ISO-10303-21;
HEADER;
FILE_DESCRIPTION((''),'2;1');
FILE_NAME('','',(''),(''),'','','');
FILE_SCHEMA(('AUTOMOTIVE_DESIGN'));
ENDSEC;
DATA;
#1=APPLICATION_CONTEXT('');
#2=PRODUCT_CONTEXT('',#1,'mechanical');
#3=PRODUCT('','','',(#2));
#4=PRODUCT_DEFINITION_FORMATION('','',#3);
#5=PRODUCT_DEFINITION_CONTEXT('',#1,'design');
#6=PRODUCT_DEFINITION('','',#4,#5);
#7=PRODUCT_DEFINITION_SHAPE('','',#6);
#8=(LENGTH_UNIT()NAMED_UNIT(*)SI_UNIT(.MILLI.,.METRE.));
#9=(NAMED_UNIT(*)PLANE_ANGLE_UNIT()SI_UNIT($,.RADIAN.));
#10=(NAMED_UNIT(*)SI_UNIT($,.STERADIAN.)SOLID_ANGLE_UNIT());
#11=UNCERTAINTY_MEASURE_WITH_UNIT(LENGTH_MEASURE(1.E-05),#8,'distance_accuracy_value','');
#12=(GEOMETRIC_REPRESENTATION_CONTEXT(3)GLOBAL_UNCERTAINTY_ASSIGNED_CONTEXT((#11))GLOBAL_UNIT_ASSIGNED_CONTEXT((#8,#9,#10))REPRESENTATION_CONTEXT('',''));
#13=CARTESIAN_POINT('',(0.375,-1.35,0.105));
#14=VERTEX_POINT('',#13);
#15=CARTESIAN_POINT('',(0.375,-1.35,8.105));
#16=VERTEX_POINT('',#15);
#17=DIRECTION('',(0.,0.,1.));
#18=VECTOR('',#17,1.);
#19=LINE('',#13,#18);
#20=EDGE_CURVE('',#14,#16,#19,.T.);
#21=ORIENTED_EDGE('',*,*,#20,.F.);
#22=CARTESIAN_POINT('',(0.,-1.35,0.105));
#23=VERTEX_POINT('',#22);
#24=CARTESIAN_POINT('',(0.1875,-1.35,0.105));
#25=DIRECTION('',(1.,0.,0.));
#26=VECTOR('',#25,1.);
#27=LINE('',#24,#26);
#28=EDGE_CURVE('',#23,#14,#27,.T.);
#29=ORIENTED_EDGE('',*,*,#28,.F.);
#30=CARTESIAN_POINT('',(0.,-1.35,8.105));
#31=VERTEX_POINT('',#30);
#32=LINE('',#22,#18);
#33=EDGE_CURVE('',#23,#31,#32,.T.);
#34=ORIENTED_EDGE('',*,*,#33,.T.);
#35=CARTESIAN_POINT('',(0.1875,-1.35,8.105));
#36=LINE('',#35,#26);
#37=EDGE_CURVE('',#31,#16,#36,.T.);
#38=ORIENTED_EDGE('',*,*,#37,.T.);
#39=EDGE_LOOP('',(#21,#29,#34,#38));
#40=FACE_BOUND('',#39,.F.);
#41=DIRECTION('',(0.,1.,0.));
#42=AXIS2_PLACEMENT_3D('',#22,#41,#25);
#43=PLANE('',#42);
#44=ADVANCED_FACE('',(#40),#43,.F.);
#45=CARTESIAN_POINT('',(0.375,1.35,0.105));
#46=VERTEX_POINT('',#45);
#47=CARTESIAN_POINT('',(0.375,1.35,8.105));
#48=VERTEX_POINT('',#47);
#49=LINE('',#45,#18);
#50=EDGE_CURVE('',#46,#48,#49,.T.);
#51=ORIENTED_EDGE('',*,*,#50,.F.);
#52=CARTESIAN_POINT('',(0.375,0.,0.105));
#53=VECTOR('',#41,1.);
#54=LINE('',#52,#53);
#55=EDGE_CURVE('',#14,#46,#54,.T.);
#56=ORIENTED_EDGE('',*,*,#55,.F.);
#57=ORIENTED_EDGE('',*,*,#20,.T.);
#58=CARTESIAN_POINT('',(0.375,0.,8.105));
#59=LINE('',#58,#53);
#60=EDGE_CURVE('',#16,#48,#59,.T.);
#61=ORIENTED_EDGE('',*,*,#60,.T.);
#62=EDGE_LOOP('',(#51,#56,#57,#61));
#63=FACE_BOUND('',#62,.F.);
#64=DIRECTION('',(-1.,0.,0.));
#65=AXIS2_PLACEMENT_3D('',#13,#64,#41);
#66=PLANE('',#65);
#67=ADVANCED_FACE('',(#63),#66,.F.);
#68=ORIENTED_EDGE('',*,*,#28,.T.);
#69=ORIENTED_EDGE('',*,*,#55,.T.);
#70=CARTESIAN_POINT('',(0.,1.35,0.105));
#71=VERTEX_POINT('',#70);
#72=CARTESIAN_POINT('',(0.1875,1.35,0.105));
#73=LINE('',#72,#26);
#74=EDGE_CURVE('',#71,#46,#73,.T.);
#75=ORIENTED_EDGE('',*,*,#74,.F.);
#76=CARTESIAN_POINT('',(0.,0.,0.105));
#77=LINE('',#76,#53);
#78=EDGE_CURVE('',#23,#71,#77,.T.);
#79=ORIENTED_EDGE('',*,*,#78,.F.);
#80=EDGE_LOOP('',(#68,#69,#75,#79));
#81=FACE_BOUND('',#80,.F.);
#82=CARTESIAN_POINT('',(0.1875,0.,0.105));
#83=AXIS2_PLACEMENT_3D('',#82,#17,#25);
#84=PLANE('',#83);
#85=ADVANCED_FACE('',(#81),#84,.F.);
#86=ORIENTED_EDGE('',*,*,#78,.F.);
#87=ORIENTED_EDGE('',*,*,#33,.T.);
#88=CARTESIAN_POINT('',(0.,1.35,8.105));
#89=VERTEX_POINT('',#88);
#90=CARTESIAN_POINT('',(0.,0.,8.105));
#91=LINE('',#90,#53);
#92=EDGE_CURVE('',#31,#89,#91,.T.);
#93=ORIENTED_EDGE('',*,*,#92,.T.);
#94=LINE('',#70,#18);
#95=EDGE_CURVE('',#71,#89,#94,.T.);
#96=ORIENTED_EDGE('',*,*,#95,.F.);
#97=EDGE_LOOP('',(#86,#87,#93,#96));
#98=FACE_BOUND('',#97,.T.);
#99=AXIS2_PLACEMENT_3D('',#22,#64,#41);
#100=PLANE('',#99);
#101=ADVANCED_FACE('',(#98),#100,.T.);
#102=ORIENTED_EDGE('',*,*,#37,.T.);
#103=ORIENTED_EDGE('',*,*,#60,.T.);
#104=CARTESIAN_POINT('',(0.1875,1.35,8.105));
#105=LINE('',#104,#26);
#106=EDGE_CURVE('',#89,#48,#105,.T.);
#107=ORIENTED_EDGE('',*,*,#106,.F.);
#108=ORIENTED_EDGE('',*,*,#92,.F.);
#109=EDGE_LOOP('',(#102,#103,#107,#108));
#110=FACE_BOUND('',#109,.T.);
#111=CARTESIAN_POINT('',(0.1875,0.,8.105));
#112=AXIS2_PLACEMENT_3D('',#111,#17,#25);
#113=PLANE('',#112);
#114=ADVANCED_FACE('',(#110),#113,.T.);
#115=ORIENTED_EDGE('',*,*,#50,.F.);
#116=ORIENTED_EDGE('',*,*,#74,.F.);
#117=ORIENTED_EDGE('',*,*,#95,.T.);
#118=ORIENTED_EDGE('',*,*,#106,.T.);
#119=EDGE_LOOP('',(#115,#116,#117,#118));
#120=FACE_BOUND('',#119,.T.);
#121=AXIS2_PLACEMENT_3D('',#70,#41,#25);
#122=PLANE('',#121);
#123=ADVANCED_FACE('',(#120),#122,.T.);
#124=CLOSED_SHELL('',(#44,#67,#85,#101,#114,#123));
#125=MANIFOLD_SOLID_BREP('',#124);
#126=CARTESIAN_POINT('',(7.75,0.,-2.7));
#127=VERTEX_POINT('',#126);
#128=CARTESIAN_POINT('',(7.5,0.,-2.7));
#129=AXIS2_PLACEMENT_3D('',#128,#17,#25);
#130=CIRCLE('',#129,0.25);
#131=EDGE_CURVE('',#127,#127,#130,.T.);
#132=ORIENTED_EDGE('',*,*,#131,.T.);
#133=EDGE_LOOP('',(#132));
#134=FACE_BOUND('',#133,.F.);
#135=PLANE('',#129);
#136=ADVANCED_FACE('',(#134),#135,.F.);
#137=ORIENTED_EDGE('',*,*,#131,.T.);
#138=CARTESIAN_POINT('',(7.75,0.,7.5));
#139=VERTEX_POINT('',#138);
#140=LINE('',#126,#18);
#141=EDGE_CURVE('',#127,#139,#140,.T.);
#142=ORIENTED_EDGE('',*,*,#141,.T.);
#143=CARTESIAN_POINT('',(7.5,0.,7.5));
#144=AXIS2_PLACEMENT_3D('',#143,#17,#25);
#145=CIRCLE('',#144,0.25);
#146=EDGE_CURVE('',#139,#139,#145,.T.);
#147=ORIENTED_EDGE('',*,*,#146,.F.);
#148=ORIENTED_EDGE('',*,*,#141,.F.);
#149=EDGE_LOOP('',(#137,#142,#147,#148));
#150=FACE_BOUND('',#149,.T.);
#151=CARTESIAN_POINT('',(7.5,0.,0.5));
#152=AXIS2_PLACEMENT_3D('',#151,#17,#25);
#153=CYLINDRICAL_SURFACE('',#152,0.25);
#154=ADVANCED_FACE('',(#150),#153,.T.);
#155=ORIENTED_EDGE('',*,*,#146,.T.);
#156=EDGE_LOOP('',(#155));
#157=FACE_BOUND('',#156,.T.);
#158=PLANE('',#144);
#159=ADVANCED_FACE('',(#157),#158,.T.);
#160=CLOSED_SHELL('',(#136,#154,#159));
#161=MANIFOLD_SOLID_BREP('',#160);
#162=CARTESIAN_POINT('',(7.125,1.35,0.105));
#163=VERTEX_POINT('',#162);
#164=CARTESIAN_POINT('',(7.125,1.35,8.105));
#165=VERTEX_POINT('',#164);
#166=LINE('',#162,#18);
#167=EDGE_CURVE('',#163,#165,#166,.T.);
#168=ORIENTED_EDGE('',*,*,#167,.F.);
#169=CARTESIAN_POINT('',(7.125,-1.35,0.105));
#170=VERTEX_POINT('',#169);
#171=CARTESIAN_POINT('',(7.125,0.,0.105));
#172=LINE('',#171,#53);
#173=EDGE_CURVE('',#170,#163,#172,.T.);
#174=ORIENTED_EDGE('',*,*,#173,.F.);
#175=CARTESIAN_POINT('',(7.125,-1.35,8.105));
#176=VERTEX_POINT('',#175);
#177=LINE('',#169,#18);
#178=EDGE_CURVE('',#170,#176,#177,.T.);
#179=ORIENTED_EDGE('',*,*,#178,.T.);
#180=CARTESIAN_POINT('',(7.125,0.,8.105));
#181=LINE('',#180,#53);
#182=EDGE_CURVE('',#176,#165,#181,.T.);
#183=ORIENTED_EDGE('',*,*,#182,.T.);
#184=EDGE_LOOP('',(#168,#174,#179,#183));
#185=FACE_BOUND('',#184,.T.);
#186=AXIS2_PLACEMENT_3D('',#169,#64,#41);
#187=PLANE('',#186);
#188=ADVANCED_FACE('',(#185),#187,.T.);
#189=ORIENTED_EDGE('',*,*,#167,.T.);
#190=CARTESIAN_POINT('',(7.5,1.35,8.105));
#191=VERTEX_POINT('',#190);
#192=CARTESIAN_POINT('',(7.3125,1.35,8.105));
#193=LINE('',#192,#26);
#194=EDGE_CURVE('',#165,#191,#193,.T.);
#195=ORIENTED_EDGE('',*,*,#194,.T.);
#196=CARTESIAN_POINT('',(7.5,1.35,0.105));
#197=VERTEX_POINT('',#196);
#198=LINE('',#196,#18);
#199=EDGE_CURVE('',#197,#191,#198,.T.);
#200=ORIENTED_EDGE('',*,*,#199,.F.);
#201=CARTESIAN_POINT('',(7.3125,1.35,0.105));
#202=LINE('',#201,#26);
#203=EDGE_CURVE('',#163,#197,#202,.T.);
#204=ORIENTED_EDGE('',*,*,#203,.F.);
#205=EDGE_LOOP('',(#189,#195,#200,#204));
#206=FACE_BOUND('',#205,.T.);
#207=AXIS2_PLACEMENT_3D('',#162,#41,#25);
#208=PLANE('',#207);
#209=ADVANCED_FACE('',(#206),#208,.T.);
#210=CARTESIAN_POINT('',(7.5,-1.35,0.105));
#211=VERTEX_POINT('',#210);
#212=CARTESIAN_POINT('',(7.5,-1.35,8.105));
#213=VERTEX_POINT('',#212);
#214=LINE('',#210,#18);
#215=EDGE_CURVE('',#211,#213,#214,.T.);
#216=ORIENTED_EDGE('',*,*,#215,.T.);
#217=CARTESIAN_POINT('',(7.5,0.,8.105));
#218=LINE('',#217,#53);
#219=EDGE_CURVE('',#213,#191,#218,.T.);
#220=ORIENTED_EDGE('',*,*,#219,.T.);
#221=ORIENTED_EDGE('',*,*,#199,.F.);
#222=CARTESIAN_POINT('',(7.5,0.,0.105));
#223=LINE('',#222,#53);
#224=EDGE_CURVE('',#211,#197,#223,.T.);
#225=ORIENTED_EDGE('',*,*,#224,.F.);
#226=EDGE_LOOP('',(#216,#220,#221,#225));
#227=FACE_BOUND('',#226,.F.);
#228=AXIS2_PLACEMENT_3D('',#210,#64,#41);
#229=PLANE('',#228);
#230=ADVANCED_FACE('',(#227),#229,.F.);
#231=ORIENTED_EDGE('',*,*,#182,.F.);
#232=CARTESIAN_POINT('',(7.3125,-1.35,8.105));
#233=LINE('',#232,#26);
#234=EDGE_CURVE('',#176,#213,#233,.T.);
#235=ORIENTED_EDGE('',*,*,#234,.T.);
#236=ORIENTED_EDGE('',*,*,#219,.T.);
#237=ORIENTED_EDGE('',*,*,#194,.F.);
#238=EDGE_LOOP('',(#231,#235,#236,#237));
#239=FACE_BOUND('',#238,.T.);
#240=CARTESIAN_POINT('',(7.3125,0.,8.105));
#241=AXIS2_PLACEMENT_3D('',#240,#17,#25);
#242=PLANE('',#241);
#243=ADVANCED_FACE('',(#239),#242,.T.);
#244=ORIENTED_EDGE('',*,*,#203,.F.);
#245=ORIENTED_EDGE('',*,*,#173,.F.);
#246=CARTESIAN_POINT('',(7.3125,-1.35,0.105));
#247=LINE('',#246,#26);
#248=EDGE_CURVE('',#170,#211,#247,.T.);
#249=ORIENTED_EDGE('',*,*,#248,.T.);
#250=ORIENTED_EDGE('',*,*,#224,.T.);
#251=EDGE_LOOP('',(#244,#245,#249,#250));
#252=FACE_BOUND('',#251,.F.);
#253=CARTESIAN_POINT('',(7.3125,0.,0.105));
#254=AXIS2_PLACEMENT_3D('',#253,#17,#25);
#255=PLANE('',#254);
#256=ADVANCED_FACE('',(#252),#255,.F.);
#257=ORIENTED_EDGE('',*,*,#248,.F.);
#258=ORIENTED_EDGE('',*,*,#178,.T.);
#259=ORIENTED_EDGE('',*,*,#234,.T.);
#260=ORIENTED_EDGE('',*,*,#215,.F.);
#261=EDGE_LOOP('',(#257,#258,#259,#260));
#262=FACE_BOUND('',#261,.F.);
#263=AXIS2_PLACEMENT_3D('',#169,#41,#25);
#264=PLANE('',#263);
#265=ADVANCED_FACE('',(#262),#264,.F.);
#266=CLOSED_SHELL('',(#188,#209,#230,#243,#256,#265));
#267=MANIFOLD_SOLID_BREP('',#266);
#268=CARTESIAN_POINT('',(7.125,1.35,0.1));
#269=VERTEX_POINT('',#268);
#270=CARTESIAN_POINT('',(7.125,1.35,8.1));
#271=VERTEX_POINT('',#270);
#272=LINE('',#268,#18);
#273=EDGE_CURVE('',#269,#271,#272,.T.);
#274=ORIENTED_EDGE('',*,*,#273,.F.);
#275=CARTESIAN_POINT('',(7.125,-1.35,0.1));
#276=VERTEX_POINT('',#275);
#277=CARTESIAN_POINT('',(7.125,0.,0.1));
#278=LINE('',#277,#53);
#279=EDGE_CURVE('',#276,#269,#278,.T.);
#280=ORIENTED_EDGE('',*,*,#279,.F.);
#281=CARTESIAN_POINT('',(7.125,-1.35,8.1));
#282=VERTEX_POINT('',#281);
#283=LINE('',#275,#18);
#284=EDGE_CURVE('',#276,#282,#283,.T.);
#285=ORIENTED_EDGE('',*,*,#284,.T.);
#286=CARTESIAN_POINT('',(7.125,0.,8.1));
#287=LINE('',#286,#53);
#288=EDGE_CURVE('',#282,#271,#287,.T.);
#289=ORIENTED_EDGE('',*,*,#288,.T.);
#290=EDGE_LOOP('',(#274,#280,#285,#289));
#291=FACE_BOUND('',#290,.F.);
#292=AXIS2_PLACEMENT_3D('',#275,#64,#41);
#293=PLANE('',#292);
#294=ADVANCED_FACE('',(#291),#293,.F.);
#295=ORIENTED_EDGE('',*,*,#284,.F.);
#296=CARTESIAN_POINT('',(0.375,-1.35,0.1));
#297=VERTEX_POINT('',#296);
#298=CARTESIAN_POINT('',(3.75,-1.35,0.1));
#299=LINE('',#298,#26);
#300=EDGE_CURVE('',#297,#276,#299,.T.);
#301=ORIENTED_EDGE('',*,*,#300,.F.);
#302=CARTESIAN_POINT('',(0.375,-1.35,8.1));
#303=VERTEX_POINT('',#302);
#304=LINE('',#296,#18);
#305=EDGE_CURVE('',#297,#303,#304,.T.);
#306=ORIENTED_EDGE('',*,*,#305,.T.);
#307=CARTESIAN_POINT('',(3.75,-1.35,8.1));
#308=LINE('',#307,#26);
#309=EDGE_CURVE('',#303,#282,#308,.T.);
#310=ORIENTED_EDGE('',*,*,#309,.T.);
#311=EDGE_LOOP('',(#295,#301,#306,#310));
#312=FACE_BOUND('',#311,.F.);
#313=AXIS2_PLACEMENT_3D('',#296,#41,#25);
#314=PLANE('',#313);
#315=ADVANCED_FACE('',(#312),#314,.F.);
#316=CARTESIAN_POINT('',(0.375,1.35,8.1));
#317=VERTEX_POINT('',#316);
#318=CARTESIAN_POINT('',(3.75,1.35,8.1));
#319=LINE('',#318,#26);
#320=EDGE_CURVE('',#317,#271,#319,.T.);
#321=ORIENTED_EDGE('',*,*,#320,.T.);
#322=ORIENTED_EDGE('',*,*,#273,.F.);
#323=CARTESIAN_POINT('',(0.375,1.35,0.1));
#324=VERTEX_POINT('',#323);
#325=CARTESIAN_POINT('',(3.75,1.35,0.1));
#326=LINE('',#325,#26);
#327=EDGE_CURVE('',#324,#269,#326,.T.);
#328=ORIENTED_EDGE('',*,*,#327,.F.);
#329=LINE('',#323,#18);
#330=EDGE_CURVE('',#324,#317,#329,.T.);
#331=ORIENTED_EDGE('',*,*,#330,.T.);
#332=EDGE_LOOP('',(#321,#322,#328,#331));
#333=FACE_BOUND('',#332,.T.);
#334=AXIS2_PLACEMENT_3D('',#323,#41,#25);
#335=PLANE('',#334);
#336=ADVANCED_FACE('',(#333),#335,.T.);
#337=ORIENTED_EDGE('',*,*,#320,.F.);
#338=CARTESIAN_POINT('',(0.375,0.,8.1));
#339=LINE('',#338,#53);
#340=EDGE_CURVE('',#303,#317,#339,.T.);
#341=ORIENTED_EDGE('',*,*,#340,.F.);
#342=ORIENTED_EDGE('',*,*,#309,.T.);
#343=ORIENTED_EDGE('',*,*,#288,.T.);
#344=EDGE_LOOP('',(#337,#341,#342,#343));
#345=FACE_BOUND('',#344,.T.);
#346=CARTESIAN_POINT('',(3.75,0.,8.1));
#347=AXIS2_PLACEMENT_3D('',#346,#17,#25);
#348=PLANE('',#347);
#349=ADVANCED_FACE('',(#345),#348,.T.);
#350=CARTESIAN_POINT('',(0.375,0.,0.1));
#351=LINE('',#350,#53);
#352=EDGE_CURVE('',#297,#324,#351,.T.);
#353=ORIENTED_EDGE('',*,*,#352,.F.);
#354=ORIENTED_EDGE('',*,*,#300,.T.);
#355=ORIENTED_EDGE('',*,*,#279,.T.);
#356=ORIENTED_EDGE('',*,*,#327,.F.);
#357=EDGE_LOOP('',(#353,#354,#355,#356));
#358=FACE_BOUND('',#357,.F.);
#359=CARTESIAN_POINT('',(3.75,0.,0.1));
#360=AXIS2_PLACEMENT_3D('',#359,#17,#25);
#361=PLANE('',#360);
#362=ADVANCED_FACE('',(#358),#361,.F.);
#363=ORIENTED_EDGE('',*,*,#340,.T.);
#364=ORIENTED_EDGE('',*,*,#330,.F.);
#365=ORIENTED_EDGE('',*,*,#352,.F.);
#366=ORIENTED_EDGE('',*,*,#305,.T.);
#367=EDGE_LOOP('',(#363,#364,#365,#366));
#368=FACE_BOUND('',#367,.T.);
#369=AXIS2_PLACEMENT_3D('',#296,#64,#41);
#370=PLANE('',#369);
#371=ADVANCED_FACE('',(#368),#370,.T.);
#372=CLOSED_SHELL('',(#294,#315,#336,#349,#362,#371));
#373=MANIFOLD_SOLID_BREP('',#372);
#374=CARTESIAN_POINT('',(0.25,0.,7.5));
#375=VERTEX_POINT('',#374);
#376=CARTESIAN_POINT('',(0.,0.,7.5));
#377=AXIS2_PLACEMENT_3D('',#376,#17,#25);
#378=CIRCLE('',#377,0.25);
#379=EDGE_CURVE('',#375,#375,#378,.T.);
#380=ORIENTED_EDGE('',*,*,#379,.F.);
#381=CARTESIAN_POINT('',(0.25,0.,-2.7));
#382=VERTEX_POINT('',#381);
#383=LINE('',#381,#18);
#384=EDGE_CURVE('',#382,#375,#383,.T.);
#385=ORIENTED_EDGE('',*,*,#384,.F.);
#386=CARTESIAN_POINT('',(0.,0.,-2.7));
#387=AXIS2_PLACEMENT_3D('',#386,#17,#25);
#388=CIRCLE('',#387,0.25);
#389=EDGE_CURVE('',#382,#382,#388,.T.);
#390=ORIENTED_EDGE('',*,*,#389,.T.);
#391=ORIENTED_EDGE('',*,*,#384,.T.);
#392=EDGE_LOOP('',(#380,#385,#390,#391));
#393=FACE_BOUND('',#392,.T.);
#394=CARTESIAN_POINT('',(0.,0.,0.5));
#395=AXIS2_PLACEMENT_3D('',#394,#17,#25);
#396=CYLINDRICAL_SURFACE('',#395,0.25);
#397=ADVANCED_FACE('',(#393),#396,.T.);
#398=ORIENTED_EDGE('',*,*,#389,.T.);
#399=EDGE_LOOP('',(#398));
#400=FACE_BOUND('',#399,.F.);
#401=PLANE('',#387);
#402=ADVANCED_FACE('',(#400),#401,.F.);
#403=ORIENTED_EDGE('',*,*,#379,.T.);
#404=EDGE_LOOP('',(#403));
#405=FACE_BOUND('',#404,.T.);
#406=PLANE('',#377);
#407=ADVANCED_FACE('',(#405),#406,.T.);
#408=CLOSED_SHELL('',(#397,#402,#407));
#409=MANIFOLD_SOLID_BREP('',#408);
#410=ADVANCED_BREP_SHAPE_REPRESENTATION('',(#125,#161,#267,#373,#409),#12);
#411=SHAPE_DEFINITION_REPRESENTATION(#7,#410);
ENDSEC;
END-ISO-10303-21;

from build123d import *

# Parameters (mm, degrees)
SKETCH_W          = 6.75
SKETCH_H          = 2.7
PAD_DEPTH         = 8
SKETCH001_R       = 0.25
PAD001_DEPTH      = 7
PAD001_DEPTH_BACK = 3.2
SKETCH002_W       = 0.375
SKETCH002_H       = 2.7
PAD002_DEPTH      = 8


with BuildPart() as pad:
    # Sketch → Pad (new body)
    with BuildSketch(Plane.XY.offset(0.1)):
        with Locations((3.75, 0)):
            Rectangle(SKETCH_W, SKETCH_H)
    extrude(amount=PAD_DEPTH)


with BuildPart() as pad001:
    # Sketch001 → Pad001 (new body, two sides)
    with BuildSketch(Plane.XY.offset(0.5)) as pad001_sk:
        Circle(SKETCH001_R)
        with Locations((7.5, 0)):
            Circle(SKETCH001_R)
    extrude(amount=PAD001_DEPTH)
    extrude(pad001_sk.sketch, amount=-PAD001_DEPTH_BACK)


with BuildPart() as pad002:
    # Sketch002 → Pad002 (new body)
    with BuildSketch(Plane.XY.offset(0.105)):
        with Locations((0.1875, 0)):
            Rectangle(SKETCH002_W, SKETCH002_H)
        with Locations((7.3125, 0)):
            Rectangle(SKETCH002_W, SKETCH002_H)
    extrude(amount=PAD002_DEPTH)


solid = Compound([pad.part, pad001.part, pad002.part])
